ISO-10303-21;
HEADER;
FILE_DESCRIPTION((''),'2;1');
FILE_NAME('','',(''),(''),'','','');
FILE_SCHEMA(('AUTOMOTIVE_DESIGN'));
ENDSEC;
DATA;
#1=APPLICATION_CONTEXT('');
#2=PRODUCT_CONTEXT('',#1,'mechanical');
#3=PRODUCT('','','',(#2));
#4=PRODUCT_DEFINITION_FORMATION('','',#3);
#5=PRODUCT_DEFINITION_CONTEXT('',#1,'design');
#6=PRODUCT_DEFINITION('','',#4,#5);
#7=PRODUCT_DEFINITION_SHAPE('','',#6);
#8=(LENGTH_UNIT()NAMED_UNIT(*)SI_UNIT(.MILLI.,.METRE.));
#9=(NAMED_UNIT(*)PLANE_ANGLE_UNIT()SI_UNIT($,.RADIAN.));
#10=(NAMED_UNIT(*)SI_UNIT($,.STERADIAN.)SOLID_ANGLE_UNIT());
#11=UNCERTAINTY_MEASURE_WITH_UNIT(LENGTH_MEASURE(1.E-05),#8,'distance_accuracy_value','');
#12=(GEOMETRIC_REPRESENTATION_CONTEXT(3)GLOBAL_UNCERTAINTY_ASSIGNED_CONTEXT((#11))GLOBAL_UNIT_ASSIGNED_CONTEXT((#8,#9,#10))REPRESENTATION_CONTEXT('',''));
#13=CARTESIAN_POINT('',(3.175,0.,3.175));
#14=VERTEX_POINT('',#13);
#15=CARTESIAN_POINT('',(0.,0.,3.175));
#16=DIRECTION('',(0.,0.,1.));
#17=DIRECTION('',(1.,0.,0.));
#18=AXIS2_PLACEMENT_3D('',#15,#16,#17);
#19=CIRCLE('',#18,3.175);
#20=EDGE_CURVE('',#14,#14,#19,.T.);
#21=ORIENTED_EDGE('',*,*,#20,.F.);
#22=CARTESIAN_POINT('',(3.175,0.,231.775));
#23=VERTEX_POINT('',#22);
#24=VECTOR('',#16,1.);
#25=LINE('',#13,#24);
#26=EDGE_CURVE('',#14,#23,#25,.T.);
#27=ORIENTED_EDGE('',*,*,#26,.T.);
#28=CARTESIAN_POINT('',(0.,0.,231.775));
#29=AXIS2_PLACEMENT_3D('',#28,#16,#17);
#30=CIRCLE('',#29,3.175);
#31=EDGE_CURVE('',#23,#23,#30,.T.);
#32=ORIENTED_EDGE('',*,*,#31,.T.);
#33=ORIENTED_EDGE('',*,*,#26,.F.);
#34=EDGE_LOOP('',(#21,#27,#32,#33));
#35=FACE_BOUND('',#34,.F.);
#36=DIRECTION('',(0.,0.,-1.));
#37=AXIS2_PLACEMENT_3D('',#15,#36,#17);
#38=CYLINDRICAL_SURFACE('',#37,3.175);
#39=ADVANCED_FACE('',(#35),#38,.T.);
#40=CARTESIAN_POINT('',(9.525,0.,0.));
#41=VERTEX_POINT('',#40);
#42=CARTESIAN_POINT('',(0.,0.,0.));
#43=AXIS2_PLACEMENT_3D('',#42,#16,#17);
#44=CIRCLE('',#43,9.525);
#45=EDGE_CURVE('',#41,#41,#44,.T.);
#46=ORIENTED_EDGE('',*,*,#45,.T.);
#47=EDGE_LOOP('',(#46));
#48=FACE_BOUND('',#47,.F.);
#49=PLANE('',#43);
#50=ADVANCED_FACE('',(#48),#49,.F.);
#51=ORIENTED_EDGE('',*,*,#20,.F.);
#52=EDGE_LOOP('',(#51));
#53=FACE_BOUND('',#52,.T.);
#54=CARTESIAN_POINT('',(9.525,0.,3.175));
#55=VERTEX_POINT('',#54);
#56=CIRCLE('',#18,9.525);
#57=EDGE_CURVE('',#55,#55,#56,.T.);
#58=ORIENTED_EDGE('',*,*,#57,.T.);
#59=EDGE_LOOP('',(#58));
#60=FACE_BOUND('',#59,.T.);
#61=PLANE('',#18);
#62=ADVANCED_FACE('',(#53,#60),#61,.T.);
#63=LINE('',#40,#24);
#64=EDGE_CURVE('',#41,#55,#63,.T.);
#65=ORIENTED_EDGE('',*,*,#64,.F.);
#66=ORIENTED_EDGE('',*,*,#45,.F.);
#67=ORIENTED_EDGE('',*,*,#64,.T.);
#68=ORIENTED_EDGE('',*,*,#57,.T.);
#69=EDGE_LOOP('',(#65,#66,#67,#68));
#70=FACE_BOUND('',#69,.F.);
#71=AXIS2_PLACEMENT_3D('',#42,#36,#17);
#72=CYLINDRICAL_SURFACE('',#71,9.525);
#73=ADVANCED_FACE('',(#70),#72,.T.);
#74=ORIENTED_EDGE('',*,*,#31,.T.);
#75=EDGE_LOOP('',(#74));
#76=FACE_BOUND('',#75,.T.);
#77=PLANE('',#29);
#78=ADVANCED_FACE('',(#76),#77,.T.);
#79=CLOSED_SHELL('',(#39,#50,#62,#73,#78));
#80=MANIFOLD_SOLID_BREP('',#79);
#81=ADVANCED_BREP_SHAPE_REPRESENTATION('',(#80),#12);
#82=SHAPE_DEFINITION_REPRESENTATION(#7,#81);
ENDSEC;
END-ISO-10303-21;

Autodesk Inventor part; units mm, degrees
ref_plane "YZ Plane" through (0, 0, 0) normal (1, 0, 0) x (0, 1, 0)
ref_plane "XZ Plane" through (0, 0, 0) normal (0, 1, 0) x (-1, 0, 0)
ref_plane "XY Plane" through (0, 0, 0) normal (0, 0, 1) x (1, 0, 0)
sketch "Sketch1" plane through (0, 0, 0) normal (0, 0, 1) x (1, 0, 0)
  circle A0 centre (0, 0) radius 9.525
  dimension "d0" = 19.05
extrude "Extrusion1" add sketch "Sketch1" along normal blind 3.175
sketch "Sketch2" plane through (0, 0, 3.175) normal (0, 0, 1) x (1, 0, 0)
  circle A0 centre (0, 0) radius 3.175
  dimension "d3" = 6.35
extrude "Extrusion2" add sketch "Sketch2" along normal blind 228.6
properties part number "Cyl_Rod"
